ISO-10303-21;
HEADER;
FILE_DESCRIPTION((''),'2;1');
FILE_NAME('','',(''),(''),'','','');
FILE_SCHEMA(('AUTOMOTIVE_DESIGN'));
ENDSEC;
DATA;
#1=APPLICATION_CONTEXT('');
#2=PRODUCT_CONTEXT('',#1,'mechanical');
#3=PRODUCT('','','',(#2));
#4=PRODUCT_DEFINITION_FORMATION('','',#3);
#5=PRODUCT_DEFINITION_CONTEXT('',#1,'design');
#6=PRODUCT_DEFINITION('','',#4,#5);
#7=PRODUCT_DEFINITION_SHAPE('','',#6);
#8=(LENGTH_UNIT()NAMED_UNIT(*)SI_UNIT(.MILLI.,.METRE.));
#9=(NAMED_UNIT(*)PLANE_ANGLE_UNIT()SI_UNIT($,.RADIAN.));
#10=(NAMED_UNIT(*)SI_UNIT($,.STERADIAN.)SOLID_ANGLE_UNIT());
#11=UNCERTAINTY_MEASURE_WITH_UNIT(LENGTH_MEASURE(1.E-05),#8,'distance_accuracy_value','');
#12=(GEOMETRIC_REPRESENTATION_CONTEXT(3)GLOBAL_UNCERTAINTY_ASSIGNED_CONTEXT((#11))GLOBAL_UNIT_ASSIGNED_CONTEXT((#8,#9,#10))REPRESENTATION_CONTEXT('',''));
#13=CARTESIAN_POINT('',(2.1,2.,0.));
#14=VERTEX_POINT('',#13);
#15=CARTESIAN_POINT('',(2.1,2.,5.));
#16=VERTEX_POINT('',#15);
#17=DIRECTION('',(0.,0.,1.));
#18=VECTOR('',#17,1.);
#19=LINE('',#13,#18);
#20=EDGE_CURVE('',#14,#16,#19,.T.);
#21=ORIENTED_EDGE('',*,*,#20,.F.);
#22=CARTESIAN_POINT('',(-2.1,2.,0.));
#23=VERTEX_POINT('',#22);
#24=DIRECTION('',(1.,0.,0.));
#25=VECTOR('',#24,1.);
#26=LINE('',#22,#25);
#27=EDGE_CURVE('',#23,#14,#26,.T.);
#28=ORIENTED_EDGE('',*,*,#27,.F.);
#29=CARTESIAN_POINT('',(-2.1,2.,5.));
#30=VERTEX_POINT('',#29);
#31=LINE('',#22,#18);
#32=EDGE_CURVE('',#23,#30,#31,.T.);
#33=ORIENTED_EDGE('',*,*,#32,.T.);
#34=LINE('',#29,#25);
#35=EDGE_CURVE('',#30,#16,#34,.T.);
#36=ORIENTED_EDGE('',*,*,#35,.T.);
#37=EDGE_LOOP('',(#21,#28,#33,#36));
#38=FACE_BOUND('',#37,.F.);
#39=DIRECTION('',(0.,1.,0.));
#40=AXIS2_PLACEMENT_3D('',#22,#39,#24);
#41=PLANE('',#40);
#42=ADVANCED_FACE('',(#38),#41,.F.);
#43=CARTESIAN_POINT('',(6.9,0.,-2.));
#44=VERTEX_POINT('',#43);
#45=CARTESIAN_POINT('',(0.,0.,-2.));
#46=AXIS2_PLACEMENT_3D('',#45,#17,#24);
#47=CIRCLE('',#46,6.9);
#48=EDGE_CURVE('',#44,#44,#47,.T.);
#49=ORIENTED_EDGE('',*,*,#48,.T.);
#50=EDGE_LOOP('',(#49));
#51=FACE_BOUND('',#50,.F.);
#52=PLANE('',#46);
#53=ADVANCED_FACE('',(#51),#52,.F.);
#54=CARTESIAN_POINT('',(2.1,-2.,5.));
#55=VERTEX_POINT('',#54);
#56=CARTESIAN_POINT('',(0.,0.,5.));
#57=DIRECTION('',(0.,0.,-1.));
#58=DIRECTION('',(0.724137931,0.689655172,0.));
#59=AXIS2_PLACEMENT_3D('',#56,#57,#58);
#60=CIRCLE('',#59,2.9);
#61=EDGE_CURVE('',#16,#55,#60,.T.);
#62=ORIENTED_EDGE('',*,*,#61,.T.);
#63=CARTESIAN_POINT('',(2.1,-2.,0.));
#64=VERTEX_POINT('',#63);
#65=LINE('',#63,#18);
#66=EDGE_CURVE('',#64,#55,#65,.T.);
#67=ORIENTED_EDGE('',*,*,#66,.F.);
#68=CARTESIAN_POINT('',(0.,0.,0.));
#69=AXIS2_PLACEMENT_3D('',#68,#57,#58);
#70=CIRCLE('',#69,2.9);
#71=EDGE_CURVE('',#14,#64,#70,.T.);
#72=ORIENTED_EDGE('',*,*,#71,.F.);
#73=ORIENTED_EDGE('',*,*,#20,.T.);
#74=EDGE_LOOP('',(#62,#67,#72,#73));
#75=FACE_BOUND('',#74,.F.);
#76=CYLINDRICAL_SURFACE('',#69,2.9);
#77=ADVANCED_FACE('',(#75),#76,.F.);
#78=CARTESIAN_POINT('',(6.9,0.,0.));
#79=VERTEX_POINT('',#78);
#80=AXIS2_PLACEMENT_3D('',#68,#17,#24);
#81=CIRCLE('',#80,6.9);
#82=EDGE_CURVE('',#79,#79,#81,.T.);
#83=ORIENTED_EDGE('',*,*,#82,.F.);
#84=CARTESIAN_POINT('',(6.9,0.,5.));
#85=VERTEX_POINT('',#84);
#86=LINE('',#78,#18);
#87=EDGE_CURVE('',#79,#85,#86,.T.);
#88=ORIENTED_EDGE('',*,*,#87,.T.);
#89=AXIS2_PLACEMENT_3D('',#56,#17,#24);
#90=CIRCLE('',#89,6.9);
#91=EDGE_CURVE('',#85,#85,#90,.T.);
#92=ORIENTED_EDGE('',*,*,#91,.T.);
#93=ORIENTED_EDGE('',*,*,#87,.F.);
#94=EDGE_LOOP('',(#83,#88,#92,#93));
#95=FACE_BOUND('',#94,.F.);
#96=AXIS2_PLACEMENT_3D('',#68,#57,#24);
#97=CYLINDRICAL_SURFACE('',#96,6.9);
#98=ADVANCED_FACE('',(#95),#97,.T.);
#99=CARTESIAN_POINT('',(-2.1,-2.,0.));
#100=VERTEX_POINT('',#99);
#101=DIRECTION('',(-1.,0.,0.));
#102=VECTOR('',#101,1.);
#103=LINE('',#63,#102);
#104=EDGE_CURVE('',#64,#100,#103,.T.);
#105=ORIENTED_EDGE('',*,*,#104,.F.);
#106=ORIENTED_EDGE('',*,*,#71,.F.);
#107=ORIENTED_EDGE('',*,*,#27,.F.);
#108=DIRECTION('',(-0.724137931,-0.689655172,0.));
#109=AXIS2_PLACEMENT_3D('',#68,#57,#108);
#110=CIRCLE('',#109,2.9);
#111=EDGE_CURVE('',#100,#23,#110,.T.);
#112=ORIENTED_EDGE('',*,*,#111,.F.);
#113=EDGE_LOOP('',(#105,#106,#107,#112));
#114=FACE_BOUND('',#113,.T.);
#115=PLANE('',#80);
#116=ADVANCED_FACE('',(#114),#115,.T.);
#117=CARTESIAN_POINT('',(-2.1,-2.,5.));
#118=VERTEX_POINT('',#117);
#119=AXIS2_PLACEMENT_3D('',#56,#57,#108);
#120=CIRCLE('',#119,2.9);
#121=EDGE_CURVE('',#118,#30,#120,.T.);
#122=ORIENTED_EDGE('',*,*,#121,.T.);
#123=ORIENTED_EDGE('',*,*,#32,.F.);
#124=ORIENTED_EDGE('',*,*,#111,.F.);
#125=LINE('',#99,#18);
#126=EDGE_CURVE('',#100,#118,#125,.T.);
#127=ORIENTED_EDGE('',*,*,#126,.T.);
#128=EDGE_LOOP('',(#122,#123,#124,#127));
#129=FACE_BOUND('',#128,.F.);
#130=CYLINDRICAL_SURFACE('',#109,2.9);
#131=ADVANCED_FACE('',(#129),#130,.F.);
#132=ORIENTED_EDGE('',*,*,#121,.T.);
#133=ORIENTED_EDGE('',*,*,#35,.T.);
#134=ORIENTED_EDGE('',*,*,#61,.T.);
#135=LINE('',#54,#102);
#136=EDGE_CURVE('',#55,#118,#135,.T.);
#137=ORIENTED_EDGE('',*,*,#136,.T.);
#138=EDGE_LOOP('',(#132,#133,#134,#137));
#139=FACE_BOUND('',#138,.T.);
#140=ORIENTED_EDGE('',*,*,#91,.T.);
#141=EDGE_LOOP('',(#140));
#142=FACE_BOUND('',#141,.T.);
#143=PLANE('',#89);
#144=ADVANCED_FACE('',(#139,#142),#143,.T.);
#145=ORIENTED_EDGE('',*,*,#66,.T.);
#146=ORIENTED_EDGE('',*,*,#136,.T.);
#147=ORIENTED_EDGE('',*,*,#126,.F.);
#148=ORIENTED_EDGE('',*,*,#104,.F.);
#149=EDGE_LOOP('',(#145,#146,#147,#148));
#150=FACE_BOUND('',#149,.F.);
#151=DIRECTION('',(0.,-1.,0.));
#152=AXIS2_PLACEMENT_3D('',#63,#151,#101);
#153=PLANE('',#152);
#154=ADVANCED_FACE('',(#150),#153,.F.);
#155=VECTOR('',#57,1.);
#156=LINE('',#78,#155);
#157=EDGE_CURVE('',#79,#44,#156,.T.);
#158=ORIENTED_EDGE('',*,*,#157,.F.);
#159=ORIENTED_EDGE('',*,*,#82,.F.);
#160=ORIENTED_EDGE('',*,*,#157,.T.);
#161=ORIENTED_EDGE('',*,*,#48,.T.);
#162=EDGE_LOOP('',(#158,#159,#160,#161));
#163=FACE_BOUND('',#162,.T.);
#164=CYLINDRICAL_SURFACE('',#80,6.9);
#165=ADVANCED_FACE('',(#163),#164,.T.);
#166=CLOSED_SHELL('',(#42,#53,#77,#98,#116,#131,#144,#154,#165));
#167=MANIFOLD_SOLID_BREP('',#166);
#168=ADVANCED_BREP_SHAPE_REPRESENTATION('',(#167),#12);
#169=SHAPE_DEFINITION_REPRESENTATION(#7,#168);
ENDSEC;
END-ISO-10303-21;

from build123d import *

# Parameters (mm, degrees)
F0_R     = 6.9
F2_DEPTH = 2
F1_R     = 6.9
F3_DEPTH = 5


with BuildPart() as f2:
    # F0 (on Top) → F2 (new body)
    with BuildSketch(Plane.XY):
        Circle(F0_R)
    extrude(amount=-F2_DEPTH)

    # F1 (on Top) → F3 (join)
    with BuildSketch(Plane.XY):
        Circle(F1_R)
        with BuildLine():
            Line((2.1, -2), (-2.1, -2))
            ThreePointArc((-2.1, -2), (-2.9, 0), (-2.1, 2))
            Line((-2.1, 2), (2.1, 2))
            ThreePointArc((2.1, 2), (2.9, 0), (2.1, -2))
        make_face(mode=Mode.SUBTRACT)
    extrude(amount=F3_DEPTH)


solid = f2.part
